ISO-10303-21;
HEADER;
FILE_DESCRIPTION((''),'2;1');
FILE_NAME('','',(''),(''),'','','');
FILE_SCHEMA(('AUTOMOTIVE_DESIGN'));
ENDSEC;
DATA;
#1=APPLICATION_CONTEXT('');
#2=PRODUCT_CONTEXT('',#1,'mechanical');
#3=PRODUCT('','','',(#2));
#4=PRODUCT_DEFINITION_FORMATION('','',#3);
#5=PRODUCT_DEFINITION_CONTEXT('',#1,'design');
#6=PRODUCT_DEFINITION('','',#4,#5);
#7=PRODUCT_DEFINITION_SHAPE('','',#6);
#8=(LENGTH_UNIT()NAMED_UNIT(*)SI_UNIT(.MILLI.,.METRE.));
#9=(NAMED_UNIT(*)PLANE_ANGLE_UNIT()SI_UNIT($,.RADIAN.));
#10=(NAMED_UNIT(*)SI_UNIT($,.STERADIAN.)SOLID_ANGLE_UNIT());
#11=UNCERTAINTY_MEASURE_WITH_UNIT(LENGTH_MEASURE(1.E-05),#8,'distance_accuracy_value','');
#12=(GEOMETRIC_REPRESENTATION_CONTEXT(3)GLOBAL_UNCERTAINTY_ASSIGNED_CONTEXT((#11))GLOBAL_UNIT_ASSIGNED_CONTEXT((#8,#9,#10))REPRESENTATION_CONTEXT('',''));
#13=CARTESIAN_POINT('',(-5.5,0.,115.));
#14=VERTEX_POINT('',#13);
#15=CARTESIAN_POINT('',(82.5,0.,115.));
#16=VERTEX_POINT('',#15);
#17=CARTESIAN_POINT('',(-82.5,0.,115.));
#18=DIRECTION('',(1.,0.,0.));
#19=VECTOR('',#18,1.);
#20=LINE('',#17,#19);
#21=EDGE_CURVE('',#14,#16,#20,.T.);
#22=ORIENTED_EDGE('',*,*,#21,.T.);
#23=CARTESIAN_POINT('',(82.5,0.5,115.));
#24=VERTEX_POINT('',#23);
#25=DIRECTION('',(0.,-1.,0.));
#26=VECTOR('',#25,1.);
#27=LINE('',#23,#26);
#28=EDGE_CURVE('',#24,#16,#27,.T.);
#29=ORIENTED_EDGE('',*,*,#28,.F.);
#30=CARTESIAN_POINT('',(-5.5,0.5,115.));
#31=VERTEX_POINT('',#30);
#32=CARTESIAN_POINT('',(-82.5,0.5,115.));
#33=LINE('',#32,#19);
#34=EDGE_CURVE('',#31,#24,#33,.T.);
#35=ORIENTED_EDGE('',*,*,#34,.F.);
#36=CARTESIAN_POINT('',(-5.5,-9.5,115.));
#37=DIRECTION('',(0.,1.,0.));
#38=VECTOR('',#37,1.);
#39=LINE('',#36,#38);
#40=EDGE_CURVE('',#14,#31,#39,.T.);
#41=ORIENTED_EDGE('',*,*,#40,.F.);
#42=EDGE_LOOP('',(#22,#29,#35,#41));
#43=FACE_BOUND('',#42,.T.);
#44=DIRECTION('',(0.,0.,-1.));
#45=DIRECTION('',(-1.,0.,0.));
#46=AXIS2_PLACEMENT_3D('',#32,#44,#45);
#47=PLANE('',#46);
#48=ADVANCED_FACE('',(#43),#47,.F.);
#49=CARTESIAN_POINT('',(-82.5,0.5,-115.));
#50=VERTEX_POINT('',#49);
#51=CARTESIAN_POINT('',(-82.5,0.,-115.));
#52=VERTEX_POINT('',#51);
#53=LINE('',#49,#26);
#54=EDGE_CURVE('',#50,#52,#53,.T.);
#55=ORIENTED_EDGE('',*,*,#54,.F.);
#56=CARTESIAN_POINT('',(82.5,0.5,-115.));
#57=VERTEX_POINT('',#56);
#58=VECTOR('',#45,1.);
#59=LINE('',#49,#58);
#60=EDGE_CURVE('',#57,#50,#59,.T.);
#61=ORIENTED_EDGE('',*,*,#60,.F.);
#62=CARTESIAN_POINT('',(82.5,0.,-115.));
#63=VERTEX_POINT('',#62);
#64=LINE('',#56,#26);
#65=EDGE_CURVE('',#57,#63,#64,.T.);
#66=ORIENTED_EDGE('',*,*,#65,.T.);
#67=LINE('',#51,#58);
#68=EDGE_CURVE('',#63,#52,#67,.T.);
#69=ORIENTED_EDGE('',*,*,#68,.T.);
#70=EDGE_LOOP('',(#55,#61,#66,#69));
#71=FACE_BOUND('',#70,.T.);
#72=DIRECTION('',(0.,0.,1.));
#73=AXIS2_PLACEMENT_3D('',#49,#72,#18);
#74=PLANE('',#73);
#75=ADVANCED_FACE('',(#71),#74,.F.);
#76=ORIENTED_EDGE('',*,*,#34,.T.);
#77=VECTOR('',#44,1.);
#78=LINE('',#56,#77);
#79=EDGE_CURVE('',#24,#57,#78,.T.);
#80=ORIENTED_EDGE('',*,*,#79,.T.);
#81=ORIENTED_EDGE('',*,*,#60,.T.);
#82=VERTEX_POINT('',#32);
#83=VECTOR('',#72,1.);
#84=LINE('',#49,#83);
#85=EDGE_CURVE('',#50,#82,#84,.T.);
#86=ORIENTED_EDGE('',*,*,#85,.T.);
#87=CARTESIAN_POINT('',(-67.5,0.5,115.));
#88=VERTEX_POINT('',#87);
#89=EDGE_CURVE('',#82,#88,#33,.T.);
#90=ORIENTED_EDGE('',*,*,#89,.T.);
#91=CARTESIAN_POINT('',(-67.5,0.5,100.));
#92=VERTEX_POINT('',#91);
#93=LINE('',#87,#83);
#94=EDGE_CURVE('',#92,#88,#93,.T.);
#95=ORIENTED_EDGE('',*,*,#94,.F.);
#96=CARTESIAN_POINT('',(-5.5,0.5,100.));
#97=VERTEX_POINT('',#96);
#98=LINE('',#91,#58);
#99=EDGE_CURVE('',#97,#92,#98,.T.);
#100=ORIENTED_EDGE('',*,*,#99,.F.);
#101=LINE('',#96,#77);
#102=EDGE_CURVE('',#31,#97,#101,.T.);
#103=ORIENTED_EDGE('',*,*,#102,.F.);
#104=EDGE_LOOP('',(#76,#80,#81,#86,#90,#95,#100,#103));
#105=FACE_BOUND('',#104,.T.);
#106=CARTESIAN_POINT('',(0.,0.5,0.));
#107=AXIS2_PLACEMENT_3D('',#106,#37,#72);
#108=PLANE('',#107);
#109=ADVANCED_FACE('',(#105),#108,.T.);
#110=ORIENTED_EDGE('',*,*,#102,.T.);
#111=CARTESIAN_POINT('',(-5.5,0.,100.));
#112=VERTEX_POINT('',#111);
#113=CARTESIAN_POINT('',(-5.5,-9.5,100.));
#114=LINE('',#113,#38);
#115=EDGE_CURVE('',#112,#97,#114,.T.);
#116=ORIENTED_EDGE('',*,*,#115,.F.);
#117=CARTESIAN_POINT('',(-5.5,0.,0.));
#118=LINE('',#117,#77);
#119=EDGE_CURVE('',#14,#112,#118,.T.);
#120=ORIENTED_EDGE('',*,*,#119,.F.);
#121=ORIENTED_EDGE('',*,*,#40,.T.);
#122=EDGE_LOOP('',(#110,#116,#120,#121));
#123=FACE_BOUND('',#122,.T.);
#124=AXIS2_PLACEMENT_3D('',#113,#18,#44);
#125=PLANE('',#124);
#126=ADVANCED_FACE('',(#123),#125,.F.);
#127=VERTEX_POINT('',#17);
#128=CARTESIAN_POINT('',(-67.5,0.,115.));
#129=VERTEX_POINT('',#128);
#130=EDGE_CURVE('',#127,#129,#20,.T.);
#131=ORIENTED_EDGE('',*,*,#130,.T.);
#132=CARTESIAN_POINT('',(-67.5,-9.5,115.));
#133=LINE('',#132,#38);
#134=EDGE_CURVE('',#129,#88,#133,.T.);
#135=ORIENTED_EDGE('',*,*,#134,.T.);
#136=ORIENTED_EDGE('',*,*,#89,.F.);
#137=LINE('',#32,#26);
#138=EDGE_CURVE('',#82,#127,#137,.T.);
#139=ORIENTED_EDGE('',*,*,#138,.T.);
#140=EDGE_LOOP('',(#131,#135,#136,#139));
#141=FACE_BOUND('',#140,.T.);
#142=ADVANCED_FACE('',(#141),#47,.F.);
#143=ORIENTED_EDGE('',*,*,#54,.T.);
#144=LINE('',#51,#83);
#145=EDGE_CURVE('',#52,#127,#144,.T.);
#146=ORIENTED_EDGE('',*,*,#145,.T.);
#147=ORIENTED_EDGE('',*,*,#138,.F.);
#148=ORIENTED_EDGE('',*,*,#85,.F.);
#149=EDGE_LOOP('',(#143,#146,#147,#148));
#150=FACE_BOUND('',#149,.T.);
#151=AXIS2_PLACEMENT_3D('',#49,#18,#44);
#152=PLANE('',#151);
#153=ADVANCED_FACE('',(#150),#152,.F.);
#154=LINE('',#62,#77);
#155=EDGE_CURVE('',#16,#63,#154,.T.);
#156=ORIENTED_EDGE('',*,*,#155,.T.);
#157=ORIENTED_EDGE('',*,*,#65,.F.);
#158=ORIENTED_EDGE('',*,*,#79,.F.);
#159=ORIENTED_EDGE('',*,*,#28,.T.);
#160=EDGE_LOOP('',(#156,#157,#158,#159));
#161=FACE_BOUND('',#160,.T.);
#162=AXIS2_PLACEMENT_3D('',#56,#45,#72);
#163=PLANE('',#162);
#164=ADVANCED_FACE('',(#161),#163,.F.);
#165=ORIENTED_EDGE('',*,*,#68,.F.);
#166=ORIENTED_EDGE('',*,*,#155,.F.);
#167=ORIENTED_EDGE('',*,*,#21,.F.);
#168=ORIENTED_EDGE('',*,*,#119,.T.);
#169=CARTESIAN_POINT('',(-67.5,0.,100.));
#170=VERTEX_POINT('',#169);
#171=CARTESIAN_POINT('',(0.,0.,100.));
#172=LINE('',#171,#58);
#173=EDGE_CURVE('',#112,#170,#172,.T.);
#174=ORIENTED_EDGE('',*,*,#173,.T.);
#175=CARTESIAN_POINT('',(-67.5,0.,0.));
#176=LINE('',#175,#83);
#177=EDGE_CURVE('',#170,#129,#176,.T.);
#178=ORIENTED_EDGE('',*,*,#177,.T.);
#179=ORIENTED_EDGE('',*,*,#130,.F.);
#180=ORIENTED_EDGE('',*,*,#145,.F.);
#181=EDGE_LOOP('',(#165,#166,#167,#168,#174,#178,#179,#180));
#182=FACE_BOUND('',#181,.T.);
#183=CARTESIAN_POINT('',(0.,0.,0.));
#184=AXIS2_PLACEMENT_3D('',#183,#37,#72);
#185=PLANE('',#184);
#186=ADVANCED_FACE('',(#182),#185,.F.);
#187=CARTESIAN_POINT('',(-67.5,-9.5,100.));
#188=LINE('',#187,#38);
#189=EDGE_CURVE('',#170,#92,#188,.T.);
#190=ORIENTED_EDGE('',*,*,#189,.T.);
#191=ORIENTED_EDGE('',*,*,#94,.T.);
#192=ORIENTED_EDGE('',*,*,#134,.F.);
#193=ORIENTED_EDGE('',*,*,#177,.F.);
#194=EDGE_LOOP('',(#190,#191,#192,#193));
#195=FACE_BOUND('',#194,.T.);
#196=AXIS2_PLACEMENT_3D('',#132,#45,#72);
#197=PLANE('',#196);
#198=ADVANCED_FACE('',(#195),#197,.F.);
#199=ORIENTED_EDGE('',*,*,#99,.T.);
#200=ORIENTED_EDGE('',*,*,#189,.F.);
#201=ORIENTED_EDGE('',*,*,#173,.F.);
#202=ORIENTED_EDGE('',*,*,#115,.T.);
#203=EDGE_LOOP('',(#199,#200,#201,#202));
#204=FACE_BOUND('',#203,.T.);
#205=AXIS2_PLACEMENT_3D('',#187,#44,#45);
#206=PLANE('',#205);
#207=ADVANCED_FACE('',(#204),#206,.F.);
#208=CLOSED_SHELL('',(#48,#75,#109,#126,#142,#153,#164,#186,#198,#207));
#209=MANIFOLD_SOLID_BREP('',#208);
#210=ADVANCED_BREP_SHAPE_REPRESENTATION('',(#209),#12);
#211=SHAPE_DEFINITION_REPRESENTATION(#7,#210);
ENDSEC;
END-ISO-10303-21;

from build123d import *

# Parameters (mm, degrees)
SKETCH1_W           = 165
SKETCH1_H           = 230
BOSS_EXTRUDE1_DEPTH = 0.5
SKETCH2_W           = 62
SKETCH2_H           = 15
CUT_EXTRUDE1_DEPTH  = 10


with BuildPart() as part:
    # Sketch1 → Boss-Extrude1 (new body)
    with BuildSketch(Plane(origin=(0, 0, 0), x_dir=(1, 0, 0), z_dir=(0, 1, 0))):
        Rectangle(SKETCH1_W, SKETCH1_H)
    extrude(amount=BOSS_EXTRUDE1_DEPTH)

    # Sketch2 → Cut-Extrude1 (cut)
    with BuildSketch(Plane(origin=(0, 0.5, 0), x_dir=(1, 0, 0), z_dir=(0, 1, 0))):
        with Locations((-36.5, -107.5)):
            Rectangle(SKETCH2_W, SKETCH2_H)
    extrude(amount=-CUT_EXTRUDE1_DEPTH, mode=Mode.SUBTRACT)


solid = part.part
